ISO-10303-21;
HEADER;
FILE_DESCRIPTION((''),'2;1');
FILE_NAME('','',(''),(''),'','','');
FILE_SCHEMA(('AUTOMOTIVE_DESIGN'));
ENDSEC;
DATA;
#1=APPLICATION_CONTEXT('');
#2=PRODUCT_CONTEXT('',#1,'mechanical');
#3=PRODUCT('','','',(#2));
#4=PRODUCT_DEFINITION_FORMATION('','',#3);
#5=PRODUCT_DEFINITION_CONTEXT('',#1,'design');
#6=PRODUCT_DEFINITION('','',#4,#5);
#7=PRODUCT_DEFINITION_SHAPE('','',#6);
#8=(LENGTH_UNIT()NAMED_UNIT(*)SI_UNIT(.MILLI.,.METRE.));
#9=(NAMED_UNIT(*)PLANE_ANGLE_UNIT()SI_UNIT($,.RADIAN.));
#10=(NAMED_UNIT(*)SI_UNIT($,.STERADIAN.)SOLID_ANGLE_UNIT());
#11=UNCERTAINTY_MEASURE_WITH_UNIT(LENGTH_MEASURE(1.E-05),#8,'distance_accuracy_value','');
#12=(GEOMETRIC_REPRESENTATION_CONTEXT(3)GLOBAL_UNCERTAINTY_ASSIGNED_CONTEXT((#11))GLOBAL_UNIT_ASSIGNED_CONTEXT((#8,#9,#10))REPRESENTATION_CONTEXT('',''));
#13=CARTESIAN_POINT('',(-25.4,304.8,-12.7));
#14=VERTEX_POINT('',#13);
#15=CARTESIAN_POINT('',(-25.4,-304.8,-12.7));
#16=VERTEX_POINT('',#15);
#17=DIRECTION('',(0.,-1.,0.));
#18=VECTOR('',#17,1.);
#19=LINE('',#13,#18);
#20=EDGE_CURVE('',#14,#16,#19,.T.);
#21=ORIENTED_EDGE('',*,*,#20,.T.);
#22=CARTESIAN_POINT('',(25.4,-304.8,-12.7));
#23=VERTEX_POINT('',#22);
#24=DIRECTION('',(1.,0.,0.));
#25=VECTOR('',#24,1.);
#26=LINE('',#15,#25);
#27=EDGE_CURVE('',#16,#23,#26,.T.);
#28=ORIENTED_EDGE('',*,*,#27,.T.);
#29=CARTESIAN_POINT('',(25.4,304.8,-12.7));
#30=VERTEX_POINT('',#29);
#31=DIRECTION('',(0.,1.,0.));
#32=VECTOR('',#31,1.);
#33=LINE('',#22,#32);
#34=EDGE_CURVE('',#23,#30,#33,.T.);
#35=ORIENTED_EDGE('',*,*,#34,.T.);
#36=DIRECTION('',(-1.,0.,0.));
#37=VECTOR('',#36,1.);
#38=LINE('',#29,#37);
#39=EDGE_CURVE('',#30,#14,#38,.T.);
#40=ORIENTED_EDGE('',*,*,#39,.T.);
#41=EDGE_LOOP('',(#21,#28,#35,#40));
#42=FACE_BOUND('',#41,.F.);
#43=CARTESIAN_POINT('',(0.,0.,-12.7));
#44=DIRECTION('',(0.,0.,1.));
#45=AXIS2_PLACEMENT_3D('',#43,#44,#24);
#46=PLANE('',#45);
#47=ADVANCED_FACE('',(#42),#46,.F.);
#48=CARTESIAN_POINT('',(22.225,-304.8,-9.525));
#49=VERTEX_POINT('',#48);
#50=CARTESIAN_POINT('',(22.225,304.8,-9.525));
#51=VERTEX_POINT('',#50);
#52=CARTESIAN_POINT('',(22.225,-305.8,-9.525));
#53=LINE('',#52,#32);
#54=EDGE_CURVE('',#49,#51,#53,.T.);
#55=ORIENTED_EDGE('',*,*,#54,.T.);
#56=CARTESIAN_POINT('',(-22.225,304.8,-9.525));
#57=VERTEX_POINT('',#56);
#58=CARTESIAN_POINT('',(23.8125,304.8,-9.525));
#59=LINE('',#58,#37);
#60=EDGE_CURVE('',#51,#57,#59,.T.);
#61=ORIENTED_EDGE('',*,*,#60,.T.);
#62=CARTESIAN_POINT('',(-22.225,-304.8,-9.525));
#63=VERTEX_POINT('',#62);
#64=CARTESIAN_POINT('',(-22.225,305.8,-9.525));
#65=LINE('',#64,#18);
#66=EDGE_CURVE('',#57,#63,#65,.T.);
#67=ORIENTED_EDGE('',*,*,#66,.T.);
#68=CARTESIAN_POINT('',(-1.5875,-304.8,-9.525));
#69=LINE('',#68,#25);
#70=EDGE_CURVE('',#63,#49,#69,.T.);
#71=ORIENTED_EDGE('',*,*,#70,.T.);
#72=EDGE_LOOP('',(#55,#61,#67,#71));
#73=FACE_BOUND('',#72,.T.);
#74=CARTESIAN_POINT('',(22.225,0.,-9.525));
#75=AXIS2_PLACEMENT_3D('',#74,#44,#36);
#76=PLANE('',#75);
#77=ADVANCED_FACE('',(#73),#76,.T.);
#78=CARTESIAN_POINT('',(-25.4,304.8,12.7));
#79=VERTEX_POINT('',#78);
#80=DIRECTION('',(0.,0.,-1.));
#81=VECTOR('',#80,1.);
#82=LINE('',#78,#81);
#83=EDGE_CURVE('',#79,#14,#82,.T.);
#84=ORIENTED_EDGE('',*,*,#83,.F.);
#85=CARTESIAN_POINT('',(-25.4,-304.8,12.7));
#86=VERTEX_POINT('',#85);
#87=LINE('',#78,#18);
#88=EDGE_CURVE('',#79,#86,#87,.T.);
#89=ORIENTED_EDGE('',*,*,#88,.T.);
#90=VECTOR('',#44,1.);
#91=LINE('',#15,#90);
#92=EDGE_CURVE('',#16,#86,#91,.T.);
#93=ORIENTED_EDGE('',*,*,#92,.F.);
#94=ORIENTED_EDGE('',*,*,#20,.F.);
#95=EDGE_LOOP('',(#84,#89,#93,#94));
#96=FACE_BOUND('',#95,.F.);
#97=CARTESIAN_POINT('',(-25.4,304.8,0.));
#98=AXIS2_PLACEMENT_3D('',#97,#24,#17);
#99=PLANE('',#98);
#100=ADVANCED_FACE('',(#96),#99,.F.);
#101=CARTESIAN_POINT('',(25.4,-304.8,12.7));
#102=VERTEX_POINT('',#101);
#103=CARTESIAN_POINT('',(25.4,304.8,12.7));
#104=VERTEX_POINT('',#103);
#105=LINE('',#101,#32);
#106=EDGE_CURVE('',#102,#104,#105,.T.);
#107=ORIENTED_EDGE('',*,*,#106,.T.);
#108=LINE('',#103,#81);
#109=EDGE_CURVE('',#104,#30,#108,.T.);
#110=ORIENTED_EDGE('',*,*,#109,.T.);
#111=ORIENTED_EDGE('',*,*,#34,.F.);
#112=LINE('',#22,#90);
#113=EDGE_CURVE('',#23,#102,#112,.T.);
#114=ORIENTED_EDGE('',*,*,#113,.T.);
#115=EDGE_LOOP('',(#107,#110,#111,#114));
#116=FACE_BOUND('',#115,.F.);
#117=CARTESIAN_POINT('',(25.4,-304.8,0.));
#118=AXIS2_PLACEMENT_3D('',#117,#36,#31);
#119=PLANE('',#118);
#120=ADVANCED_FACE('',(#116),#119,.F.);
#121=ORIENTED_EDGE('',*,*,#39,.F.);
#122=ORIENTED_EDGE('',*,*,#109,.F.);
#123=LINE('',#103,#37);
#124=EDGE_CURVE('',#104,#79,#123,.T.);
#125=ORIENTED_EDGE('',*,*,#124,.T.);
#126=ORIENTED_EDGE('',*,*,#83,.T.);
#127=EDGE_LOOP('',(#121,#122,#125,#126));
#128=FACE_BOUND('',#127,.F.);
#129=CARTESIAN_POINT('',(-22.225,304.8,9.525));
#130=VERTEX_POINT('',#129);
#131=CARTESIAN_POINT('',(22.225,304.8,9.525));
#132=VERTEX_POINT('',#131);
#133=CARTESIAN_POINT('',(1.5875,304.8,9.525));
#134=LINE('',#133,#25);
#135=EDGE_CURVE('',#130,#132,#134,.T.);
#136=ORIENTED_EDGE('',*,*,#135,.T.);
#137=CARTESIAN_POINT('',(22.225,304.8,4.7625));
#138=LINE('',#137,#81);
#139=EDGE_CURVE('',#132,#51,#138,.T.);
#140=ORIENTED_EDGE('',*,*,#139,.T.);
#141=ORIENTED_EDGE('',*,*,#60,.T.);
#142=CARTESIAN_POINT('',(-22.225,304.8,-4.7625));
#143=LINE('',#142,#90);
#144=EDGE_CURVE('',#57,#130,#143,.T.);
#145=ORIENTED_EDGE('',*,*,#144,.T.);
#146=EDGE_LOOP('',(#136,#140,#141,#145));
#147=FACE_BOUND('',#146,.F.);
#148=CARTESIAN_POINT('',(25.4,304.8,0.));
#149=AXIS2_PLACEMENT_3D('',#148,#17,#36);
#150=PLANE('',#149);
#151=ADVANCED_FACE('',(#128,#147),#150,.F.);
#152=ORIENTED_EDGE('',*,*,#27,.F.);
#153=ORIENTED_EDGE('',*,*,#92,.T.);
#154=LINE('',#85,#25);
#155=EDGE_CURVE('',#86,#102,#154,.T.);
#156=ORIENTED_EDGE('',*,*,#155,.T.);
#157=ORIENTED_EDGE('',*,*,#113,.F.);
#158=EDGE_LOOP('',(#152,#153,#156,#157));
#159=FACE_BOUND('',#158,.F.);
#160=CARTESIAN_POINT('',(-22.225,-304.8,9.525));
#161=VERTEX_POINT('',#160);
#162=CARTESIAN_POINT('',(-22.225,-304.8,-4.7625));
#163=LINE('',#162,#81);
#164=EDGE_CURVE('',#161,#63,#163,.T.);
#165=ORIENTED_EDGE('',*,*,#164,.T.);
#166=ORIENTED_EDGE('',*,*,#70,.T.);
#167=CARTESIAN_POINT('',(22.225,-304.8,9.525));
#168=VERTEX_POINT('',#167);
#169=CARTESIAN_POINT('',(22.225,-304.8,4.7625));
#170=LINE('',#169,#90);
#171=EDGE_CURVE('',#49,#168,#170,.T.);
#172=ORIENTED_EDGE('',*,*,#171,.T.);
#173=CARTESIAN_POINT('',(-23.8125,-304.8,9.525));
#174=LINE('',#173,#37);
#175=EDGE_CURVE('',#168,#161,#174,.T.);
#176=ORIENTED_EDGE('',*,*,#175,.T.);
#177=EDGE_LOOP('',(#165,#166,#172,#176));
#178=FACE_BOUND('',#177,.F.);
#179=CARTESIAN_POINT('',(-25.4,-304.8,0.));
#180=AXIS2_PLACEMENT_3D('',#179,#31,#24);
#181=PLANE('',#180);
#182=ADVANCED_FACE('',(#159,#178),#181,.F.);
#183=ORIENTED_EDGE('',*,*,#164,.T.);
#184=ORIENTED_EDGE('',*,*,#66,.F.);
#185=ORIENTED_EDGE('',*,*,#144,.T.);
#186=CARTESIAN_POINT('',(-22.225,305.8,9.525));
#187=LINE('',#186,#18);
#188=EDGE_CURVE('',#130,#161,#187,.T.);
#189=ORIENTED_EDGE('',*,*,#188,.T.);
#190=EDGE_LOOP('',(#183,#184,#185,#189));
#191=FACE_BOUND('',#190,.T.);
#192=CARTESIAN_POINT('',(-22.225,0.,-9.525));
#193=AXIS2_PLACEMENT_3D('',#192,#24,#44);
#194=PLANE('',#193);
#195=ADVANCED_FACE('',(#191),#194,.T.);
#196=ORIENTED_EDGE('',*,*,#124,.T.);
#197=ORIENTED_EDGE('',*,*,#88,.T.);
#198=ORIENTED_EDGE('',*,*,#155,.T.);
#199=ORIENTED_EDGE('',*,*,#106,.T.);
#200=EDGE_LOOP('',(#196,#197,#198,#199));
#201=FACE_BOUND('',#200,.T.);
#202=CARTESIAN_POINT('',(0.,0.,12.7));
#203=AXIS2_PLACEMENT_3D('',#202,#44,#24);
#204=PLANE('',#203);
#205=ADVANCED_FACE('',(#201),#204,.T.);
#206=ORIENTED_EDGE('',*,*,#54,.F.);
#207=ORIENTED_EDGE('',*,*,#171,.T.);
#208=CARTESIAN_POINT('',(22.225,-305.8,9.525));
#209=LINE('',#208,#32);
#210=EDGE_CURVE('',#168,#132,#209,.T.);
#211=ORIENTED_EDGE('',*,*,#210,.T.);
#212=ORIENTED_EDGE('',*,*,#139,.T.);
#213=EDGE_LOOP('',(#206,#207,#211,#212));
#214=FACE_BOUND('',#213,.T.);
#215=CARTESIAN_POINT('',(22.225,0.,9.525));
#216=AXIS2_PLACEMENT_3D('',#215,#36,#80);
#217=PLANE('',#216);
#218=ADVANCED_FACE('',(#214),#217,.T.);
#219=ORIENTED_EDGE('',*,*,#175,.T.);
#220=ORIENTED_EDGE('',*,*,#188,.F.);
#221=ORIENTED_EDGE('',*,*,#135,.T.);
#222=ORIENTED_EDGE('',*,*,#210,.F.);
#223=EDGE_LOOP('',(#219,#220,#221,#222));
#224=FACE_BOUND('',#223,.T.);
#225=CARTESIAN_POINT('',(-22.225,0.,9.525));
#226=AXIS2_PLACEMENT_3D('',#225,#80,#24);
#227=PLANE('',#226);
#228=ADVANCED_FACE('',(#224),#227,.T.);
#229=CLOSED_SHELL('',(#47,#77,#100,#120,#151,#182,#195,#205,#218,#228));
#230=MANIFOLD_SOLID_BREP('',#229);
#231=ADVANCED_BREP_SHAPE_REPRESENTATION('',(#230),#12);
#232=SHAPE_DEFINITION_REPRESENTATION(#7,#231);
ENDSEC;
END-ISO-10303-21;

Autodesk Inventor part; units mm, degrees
ref_plane "YZ Plane" through (0, 0, 0) normal (1, 0, 0) x (0, 1, 0)
ref_plane "XZ Plane" through (0, 0, 0) normal (0, 1, 0) x (-1, 0, 0)
ref_plane "XY Plane" through (0, 0, 0) normal (0, 0, 1) x (1, 0, 0)
sketch "Sketch1" plane through (0, 0, 0) normal (0, 0, 1) x (1, 0, 0)
  line L0 (-25.4, -304.8) -> (25.4, -304.8)
  line L1 (25.4, -304.8) -> (25.4, 304.8)
  line L2 (25.4, 304.8) -> (-25.4, 304.8)
  line L3 (-25.4, 304.8) -> (-25.4, -304.8)
  line L4 (-25.4, -304.8) -> (25.4, 304.8) construction
  line L5 (25.4, -304.8) -> (-25.4, 304.8) construction
  point P0 (0, 0)
  dimension "d0" = 50.8
  dimension "d1" = 609.6
extrude "Extrusion1" add sketch "Sketch1" along normal mid plane 25.4
sketch "Sketch2" plane through (0, 0, 0) normal (0, 1, 0) x (-1, 0, 0)
  line L0 (-22.225, 9.525) -> (-22.225, -9.525)
  line L1 (-22.225, -9.525) -> (22.225, -9.525)
  line L2 (22.225, -9.525) -> (22.225, 9.525)
  line L3 (22.225, 9.525) -> (-22.225, 9.525)
  line L4 (-22.225, 9.525) -> (22.225, -9.525) construction
  line L5 (-22.225, -9.525) -> (22.225, 9.525) construction
  line L6 (25.4, -12.7) -> (25.4, 12.7) projected
  line L7 (25.4, 12.7) -> (-25.4, 12.7) projected
  point P0 (0, 0)
  dimension "d4" = 3.175
  dimension "d5" = 3.175
extrude "Extrusion2" cut sketch "Sketch2" along normal through all both and the other way through all
equation "\"d0\" = width"
equation "\"d1\" = height"
equation "\"d2\" = depth"
equation "\"d4\" = wallThickness"
equation "\"d5\" = wallThickness"
equation "\"depth\" = 25.4"
equation "\"width\" = 50.8"
equation "\"height\" = 609.6"
equation "\"wallThickness\" = 3.175"
properties part number "1x2x24inAluminumExtrusion"
